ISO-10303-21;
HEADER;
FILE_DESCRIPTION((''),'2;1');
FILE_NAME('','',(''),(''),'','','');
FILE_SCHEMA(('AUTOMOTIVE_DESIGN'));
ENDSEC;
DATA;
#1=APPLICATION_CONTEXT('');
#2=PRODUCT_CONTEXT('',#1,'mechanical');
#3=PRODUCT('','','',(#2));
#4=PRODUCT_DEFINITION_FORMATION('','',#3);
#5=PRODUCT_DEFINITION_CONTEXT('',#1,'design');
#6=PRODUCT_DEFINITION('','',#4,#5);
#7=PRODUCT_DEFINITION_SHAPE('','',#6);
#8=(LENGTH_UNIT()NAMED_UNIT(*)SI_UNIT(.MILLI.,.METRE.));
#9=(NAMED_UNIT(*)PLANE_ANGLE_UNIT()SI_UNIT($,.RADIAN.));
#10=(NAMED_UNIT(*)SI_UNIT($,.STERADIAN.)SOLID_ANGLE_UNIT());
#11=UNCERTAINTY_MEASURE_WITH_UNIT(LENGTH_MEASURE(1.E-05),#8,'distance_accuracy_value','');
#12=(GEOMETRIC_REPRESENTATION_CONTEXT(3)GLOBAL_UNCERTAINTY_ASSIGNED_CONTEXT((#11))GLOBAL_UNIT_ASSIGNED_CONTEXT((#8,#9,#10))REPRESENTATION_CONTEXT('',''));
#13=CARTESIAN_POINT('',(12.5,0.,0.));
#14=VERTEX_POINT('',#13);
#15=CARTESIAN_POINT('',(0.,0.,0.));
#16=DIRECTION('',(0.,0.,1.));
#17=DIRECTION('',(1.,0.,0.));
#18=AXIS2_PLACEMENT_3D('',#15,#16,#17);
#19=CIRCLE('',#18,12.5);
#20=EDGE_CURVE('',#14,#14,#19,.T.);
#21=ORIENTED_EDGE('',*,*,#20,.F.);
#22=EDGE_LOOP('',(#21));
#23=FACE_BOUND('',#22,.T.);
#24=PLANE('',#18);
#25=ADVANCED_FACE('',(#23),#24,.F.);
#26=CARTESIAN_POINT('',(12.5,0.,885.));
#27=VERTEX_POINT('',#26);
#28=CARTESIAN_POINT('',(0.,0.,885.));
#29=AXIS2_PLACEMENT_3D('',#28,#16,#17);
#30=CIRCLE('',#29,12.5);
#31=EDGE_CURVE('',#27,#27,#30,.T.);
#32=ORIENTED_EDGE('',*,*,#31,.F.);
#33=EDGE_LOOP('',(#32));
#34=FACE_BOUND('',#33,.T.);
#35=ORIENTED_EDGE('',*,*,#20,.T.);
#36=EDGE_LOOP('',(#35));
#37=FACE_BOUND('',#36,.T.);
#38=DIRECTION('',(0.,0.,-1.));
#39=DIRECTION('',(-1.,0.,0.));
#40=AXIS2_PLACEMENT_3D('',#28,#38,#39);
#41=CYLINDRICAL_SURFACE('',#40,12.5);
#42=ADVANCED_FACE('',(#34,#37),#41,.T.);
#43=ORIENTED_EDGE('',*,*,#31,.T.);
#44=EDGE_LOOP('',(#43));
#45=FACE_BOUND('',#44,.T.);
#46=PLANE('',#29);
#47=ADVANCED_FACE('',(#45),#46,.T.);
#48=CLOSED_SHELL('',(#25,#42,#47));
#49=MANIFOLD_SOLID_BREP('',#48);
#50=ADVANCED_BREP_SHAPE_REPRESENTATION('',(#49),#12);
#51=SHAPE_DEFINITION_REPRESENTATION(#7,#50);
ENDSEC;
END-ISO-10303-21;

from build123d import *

# Parameters (mm, degrees)
SZKIC1_R                    = 12.5
DODANIE_WYCI_GNI_CIE1_DEPTH = 885


with BuildPart() as part:
    # Szkic1 → Dodanie-wyciągnięcie1 (new body)
    with BuildSketch(Plane.XY):
        Circle(SZKIC1_R)
    extrude(amount=DODANIE_WYCI_GNI_CIE1_DEPTH)


solid = part.part
